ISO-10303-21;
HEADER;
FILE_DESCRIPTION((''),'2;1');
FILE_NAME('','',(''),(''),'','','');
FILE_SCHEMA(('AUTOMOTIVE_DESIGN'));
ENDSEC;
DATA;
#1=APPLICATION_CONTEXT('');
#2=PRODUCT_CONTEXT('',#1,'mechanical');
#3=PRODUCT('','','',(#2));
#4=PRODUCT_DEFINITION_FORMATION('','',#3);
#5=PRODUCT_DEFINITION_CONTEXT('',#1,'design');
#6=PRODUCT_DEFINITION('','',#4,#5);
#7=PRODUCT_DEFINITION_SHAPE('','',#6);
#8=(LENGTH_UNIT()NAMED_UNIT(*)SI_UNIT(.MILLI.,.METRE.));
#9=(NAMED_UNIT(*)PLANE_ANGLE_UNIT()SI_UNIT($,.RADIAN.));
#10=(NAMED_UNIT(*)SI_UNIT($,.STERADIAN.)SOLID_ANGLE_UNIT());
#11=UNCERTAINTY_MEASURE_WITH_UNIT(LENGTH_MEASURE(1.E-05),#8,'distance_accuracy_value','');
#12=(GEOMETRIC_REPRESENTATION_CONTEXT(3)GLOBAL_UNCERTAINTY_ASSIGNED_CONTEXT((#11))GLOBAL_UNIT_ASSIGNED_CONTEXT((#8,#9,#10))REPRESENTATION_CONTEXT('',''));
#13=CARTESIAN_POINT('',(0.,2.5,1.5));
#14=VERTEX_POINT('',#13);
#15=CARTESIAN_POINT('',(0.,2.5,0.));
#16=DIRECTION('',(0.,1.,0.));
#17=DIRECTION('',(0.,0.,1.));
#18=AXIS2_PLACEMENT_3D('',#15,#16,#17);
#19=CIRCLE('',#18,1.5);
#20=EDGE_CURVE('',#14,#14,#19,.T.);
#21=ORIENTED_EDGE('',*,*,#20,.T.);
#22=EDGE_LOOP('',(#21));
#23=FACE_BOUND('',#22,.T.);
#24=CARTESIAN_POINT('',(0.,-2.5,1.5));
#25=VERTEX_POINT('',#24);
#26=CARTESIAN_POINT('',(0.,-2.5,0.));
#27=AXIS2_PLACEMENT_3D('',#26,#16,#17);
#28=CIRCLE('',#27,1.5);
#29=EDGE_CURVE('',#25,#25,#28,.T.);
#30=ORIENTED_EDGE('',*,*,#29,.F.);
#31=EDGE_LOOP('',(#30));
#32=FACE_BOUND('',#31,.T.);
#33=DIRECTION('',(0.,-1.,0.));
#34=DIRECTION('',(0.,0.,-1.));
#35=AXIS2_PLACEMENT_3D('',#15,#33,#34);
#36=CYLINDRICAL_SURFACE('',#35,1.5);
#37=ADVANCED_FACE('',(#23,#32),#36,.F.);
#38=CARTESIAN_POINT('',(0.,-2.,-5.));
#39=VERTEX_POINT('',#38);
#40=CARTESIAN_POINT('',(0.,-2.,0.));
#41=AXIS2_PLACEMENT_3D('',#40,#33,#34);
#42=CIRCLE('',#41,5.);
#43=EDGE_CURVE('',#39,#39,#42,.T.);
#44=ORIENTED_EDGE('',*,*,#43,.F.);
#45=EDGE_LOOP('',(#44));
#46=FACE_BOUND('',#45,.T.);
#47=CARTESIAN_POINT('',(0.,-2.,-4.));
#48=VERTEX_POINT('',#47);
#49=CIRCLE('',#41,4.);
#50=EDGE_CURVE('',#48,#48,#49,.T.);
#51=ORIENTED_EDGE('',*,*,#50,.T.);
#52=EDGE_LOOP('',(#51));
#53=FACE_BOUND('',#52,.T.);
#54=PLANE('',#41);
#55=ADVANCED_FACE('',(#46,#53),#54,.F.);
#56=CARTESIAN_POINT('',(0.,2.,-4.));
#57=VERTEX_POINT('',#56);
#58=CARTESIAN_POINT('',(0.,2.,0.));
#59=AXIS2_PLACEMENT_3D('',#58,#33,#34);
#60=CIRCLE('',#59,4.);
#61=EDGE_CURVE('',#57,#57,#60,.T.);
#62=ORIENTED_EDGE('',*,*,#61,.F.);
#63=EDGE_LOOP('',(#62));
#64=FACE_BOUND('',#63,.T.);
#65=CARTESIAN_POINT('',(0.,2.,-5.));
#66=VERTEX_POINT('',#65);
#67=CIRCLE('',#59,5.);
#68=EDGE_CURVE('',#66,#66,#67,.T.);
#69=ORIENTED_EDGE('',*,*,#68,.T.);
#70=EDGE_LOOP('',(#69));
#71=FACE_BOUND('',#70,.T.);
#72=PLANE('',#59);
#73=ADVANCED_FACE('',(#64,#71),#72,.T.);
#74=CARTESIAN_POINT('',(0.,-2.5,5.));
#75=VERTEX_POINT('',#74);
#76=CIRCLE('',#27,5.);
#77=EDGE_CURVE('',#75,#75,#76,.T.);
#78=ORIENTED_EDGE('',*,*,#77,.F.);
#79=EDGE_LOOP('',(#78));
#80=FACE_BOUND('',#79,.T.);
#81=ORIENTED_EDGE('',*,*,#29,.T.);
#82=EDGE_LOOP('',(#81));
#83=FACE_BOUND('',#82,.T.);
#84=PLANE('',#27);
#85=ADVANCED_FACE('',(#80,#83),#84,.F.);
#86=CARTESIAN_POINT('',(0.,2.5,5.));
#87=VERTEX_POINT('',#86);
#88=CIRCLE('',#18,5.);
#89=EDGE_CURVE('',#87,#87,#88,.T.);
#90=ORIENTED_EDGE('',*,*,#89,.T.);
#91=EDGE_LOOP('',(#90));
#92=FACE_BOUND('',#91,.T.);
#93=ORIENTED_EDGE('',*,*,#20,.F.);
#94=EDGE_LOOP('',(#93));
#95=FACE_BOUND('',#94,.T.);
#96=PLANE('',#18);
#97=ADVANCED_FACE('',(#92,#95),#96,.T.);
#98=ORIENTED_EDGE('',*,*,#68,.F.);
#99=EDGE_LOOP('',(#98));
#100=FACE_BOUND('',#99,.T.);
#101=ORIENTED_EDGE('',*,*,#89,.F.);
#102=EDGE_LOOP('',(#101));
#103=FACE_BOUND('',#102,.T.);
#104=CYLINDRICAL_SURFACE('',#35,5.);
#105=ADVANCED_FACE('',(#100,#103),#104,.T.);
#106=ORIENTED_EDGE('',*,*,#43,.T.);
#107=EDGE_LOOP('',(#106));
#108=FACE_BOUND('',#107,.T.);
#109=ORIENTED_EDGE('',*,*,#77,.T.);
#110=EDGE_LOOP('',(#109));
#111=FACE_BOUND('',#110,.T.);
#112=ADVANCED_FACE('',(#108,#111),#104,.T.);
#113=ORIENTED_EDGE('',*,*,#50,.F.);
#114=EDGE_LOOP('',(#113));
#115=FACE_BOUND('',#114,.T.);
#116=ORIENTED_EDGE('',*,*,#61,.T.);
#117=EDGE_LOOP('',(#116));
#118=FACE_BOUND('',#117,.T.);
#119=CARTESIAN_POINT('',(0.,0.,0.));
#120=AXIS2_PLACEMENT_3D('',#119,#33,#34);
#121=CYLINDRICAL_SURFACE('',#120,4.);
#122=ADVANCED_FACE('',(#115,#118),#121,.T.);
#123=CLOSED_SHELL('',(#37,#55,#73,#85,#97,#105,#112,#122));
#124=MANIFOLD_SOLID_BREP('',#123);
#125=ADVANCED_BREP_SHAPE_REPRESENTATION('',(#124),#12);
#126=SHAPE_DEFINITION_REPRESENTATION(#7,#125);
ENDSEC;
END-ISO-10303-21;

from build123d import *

# Parameters (mm, degrees)
SKETCH1_R           = 5
SKETCH1_R_2         = 1.5
BOSS_EXTRUDE1_DEPTH = 2.5
SKETCH2_W           = 1
SKETCH2_H           = 4


with BuildPart() as part:
    # Sketch1 → Boss-Extrude1 (new, symmetric)
    with BuildSketch(Plane(origin=(0, 0, 0), x_dir=(1, 0, 0), z_dir=(0, 1, 0))):
        with Locations(Location((0, 0, 0), (0, 0, 270))):
            Circle(SKETCH1_R)
        with Locations(Location((0, 0, 0), (0, 0, 270))):
            Circle(SKETCH1_R_2, mode=Mode.SUBTRACT)
    extrude(amount=BOSS_EXTRUDE1_DEPTH, both=True)

    # Sketch2 → Cut-Revolve1 (revolve, cut)
    with BuildSketch(Plane(origin=(0, 0, 0), x_dir=(0, 0, -1), z_dir=(1, 0, 0)), mode=Mode.PRIVATE) as cut_revolve1_sk:
        with Locations((-4.5, 0)):
            Rectangle(SKETCH2_W, SKETCH2_H)
    revolve(cut_revolve1_sk.sketch.rotate(Axis((0, 0, 0), (0, 1, 0)), 180), axis=Axis((0, 0, 0), (0, 1, 0)), mode=Mode.SUBTRACT)


solid = part.part
